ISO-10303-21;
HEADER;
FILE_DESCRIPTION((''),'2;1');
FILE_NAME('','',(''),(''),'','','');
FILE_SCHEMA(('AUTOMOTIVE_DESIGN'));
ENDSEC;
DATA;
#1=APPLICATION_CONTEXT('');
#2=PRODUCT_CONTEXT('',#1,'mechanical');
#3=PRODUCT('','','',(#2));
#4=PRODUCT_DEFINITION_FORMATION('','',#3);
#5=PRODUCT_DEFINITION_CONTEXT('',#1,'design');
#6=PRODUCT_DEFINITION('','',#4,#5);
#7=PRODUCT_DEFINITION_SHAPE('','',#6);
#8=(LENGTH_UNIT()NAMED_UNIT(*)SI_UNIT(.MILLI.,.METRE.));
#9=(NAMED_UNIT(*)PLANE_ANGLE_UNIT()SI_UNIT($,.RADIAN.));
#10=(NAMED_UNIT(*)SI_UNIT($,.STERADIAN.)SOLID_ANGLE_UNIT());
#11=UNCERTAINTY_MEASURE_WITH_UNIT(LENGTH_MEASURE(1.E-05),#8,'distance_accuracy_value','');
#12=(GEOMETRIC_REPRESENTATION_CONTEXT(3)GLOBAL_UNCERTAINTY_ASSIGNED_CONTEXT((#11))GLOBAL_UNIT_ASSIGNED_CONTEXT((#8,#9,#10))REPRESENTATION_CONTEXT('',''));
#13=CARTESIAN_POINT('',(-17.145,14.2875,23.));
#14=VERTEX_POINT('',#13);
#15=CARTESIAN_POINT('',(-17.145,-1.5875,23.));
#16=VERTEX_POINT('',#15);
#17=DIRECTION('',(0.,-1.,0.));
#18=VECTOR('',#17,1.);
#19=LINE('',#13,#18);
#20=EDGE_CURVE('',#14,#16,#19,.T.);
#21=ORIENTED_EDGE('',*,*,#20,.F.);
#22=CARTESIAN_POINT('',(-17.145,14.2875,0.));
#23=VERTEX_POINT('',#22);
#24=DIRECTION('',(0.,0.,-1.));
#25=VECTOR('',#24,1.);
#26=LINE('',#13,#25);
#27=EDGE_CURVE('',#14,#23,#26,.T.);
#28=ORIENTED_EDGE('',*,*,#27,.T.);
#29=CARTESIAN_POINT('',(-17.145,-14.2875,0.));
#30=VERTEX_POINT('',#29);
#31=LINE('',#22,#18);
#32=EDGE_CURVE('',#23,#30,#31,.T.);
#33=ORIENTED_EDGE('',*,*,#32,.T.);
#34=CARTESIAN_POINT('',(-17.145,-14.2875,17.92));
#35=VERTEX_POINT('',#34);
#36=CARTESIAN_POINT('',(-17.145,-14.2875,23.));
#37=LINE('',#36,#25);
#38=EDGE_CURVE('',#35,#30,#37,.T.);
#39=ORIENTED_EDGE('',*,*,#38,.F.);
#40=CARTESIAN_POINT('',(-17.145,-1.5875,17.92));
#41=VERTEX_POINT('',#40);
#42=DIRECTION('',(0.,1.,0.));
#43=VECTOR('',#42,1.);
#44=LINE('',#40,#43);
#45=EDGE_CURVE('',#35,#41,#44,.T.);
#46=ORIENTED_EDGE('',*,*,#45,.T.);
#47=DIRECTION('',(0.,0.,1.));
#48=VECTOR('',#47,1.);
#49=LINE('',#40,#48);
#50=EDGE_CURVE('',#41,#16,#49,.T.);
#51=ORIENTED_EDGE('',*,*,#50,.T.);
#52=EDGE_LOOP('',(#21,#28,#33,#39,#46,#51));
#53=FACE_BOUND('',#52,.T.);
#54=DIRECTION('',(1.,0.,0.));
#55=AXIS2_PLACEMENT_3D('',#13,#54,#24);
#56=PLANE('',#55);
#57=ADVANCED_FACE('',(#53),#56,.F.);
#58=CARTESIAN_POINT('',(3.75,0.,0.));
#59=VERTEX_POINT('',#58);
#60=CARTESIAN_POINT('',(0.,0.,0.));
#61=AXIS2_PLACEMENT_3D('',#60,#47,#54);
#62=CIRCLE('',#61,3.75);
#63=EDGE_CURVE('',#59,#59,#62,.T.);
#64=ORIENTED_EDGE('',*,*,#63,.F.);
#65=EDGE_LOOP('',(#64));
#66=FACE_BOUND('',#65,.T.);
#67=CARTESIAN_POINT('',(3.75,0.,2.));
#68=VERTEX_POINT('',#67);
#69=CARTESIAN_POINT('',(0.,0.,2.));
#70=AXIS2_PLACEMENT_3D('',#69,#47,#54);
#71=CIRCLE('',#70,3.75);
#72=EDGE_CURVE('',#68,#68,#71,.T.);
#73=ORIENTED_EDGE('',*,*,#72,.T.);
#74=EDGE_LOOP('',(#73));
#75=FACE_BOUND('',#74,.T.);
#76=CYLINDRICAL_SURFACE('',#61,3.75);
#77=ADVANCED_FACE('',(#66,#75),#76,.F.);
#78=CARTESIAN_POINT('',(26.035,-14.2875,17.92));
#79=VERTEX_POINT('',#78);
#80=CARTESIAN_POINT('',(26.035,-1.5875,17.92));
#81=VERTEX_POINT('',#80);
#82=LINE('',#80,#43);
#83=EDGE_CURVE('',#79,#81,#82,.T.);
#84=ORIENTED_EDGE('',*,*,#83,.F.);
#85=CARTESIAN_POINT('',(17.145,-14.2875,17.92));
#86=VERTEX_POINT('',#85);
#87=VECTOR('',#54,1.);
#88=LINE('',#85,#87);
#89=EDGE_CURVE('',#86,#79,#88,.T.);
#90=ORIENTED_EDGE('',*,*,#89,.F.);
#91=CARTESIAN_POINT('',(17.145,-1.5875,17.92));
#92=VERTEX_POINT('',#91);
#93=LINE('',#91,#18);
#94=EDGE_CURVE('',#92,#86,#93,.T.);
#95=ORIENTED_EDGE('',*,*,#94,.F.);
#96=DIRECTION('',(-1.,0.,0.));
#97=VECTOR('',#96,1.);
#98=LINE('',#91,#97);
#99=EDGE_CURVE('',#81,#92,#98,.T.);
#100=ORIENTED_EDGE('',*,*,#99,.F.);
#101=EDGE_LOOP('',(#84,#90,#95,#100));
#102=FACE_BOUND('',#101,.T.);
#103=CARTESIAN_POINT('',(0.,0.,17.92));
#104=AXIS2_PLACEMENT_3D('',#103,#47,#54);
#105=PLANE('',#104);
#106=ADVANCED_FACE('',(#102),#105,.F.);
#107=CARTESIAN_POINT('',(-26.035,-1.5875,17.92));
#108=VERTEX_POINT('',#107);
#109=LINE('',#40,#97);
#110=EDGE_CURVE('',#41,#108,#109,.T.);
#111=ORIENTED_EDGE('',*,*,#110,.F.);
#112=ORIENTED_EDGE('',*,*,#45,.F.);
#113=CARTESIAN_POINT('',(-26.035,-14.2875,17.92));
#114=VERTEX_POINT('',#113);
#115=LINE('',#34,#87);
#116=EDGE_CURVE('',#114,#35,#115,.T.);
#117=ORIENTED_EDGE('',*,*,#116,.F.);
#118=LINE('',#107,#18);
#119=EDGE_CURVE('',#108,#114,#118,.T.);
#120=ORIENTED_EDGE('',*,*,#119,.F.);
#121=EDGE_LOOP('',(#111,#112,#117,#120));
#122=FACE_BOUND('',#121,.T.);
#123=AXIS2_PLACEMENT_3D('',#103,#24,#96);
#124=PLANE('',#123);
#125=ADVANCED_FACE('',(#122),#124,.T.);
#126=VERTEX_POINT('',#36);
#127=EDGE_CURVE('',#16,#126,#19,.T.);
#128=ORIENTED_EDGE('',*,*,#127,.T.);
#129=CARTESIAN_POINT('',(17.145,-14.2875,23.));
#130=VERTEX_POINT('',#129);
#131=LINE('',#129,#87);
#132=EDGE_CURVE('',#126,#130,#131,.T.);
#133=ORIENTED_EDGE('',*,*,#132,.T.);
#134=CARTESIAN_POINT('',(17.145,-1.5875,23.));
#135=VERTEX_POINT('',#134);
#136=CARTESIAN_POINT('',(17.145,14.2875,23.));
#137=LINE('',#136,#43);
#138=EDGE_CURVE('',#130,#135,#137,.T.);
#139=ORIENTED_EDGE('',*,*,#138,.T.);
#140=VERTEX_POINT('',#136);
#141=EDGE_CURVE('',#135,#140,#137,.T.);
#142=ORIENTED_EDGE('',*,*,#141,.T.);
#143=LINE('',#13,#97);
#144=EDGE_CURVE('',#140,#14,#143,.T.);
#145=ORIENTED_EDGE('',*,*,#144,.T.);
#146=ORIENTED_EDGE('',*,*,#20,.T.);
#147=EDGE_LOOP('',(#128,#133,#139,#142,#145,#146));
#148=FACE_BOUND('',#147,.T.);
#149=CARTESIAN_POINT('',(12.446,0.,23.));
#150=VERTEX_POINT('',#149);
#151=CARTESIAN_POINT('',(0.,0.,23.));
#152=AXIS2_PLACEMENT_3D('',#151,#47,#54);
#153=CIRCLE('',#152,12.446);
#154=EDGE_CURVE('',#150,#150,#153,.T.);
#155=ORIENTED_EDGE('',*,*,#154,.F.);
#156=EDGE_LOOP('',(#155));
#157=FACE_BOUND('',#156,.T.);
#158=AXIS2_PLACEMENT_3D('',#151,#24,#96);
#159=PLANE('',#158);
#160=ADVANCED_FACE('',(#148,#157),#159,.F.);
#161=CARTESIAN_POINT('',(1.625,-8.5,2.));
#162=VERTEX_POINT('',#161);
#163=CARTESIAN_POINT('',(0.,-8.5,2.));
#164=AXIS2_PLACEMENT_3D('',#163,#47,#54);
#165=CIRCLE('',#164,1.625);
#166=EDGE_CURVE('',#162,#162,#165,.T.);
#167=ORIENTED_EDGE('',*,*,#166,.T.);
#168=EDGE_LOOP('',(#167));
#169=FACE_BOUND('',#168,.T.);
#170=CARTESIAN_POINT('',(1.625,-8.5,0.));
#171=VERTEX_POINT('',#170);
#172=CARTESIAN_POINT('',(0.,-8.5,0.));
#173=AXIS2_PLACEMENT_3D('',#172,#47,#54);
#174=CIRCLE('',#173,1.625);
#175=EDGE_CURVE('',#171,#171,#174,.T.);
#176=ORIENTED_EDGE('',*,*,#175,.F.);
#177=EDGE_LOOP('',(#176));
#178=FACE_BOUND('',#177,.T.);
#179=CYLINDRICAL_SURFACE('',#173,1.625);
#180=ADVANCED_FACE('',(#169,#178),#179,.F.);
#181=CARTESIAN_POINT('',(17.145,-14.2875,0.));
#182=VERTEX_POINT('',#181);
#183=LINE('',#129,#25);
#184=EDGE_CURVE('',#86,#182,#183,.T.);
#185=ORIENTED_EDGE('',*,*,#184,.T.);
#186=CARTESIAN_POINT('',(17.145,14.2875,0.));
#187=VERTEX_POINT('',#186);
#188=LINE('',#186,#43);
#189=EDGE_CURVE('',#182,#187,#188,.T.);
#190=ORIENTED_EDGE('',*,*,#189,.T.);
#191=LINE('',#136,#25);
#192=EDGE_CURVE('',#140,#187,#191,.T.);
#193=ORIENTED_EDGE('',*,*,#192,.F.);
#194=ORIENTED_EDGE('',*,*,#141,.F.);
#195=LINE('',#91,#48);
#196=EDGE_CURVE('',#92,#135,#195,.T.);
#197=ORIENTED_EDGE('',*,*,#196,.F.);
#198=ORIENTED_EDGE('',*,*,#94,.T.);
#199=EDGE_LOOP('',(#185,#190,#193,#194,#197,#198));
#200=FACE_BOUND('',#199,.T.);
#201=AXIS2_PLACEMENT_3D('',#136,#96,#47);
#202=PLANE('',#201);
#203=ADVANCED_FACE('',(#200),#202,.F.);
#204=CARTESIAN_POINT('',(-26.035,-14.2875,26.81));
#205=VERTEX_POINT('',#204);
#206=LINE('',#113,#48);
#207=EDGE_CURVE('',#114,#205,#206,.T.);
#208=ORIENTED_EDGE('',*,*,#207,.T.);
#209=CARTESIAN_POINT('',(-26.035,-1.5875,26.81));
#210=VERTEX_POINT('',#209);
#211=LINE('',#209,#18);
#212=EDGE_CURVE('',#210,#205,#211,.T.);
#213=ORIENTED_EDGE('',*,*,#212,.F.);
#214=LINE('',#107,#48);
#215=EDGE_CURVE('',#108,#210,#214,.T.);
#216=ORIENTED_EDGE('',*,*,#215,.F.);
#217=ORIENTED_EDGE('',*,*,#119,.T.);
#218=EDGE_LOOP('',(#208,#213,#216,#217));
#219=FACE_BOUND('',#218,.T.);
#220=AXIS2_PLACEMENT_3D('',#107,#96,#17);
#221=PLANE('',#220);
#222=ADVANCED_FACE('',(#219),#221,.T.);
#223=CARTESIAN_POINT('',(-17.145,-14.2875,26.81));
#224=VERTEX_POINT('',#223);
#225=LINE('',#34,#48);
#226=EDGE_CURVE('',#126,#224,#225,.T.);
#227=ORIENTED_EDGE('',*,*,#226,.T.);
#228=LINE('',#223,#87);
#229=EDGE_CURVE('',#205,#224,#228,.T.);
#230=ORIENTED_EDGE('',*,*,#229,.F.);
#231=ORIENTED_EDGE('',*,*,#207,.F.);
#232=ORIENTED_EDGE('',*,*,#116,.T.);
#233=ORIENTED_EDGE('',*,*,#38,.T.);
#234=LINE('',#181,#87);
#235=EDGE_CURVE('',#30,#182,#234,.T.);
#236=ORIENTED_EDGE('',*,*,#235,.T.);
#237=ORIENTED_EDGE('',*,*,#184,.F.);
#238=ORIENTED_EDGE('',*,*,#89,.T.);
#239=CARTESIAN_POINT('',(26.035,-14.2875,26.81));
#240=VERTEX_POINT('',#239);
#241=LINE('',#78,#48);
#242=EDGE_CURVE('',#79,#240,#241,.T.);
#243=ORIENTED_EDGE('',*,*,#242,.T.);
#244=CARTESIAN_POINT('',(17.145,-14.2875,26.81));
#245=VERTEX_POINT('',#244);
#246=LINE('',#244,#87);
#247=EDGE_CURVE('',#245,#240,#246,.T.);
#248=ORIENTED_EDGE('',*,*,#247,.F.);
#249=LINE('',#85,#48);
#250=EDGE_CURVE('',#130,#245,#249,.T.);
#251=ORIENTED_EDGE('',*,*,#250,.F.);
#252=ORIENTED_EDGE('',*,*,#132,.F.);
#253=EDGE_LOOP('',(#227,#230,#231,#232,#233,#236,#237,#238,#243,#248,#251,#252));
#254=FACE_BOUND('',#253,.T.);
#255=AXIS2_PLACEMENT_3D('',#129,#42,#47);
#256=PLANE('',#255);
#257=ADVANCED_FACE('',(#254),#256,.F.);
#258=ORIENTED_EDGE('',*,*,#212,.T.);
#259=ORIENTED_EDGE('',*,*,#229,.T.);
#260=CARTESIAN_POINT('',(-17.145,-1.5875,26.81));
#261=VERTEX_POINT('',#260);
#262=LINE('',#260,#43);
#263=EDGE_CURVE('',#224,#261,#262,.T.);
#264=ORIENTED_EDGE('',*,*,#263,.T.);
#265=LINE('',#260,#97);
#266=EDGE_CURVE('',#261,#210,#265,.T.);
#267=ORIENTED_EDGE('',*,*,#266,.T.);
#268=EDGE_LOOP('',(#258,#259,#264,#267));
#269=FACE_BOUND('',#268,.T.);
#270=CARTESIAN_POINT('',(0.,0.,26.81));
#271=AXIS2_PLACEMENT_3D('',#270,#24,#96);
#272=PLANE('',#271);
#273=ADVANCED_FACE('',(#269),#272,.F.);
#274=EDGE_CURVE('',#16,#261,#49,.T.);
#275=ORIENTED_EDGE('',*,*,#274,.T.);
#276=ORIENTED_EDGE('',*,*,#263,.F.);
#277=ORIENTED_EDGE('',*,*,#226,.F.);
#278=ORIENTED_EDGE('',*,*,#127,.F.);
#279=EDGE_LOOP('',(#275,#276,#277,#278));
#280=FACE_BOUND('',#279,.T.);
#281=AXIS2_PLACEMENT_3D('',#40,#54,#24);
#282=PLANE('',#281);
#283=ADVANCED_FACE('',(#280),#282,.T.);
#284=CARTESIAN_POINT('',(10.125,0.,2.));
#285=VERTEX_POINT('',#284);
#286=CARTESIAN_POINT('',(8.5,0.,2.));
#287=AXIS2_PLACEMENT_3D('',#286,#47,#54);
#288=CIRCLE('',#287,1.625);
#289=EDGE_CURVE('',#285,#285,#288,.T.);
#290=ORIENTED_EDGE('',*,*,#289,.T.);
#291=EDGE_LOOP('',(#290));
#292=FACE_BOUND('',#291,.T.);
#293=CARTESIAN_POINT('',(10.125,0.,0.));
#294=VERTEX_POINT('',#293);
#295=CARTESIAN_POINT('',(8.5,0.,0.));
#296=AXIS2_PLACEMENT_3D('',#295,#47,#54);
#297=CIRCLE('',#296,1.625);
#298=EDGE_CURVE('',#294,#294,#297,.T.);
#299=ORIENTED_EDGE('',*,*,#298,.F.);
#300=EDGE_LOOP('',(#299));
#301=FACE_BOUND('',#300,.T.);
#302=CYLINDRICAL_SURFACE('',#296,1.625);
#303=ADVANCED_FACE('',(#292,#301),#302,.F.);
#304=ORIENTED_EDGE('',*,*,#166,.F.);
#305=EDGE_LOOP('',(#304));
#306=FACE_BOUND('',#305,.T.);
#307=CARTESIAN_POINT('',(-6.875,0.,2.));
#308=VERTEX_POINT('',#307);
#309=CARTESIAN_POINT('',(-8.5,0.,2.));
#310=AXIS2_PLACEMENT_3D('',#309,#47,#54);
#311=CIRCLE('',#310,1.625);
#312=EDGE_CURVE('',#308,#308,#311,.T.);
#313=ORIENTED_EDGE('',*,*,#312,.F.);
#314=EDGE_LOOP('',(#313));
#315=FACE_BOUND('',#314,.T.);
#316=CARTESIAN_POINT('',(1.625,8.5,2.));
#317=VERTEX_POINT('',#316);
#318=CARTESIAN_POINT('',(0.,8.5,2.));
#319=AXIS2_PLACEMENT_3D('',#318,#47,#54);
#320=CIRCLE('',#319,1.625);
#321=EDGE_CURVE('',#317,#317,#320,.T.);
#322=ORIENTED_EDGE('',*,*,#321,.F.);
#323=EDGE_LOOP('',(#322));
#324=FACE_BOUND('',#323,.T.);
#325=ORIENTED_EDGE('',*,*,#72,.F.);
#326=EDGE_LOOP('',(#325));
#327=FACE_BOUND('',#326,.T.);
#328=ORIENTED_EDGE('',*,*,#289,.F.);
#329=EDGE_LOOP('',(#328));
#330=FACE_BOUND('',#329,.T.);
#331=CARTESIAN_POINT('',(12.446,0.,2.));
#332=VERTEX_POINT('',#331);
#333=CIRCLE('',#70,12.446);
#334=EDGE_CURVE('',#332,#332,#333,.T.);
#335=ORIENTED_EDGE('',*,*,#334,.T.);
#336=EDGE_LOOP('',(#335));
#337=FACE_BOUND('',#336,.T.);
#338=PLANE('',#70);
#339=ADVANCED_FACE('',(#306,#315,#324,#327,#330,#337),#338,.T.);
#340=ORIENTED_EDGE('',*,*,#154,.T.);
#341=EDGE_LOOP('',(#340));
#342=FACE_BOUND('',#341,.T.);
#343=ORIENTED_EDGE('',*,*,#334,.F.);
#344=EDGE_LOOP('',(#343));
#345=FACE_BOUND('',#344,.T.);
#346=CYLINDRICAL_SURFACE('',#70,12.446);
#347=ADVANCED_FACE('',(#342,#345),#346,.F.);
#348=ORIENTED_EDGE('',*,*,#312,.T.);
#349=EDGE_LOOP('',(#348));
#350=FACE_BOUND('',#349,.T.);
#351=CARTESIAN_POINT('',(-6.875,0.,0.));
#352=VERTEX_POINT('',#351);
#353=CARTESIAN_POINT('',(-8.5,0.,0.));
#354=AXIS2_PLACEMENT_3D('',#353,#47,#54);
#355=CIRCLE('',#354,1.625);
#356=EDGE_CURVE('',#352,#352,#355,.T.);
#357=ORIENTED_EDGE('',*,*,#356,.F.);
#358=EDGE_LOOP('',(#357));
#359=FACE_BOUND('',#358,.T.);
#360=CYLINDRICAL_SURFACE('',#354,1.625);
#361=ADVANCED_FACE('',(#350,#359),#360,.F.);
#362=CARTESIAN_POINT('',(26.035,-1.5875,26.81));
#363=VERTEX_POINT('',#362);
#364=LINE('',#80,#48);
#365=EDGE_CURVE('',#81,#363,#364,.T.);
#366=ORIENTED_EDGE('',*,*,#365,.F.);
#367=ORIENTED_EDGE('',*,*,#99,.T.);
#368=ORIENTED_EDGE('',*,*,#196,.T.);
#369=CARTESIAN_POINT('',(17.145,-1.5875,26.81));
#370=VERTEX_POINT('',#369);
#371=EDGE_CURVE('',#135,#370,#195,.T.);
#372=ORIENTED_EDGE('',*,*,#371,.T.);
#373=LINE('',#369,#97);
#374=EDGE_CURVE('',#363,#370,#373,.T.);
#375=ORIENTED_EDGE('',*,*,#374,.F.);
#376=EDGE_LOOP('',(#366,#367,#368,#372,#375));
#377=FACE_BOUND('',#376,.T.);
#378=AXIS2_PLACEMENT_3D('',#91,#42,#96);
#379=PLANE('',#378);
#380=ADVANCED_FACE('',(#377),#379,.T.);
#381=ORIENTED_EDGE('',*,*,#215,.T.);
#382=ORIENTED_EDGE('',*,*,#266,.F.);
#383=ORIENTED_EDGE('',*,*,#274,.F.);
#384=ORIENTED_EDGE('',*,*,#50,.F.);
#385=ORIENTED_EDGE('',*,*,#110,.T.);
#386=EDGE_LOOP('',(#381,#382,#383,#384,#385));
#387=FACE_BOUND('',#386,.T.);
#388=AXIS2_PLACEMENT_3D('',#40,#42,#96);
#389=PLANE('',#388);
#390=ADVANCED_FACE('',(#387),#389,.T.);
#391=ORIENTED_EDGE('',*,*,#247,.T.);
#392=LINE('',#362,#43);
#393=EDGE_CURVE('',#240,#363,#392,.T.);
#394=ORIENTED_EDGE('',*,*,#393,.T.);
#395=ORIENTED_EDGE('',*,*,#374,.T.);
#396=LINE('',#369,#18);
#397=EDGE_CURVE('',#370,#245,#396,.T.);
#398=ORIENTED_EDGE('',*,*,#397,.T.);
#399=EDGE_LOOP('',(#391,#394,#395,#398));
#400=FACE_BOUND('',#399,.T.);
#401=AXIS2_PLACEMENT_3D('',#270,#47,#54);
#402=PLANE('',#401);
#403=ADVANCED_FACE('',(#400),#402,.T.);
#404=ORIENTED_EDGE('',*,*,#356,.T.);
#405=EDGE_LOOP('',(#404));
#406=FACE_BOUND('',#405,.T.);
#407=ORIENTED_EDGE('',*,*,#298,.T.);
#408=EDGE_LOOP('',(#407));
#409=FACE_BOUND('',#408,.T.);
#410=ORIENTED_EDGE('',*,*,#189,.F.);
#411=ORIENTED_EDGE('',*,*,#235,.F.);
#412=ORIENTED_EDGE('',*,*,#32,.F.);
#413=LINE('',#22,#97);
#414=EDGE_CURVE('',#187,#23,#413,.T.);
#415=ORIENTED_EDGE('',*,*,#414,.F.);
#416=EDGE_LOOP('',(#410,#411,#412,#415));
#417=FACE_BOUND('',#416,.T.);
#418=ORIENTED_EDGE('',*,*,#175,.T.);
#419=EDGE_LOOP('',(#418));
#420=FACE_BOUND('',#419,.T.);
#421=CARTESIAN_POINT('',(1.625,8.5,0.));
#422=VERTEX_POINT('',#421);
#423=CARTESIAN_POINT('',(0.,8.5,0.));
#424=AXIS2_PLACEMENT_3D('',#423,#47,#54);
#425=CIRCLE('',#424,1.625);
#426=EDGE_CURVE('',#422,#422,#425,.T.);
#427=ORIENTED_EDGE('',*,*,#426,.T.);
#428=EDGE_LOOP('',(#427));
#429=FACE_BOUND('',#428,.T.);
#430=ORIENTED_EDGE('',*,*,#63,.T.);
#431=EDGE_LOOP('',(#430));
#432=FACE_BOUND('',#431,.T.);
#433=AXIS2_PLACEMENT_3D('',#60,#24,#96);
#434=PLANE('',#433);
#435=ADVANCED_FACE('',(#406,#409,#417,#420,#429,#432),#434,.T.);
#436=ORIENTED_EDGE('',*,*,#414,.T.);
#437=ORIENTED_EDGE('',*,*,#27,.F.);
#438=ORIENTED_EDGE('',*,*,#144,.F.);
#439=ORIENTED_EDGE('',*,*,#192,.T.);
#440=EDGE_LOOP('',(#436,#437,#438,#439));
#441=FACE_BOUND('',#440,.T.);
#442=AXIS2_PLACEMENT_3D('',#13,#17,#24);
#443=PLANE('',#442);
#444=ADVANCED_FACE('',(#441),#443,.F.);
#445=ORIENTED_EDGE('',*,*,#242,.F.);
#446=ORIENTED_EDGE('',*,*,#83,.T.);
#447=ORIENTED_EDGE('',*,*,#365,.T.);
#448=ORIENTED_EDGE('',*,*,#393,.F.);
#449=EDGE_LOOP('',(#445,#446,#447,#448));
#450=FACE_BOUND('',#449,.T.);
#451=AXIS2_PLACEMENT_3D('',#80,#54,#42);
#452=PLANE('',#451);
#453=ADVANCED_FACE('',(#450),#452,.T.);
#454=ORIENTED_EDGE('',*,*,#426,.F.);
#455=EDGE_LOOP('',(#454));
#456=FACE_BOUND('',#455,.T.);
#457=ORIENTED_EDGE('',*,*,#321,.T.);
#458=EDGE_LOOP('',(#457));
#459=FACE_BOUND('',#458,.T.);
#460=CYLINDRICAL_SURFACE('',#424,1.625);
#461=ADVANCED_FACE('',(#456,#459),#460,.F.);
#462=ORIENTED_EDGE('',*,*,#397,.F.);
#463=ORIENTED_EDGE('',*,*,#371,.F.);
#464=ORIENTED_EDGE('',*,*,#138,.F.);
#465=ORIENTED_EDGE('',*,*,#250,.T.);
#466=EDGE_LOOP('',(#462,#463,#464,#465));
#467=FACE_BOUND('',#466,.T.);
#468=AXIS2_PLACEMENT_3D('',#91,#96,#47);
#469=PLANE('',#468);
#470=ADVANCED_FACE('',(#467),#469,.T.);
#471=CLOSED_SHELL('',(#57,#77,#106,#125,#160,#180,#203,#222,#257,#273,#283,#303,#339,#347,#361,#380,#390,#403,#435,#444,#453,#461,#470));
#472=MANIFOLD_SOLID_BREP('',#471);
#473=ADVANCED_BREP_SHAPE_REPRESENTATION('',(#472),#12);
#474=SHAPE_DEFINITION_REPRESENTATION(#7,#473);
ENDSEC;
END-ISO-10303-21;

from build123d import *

# Parameters (mm, degrees)
SKETCH1_W                = 34.29
SKETCH1_H                = 28.575
BOSS_EXTRUDE1_DEPTH      = 23
SKETCH3_R                = 12.446
CUT_EXTRUDE1_DEPTH       = 21
SKETCH5_R                = 1.625
SKETCH5_R_2              = 3.75
CUT_EXTRUDE2_DEPTH       = 3
SKETCH7_W                = 8.89
SKETCH7_H                = 12.7
BOSS_EXTRUDE2_DEPTH      = 3.81
BOSS_EXTRUDE2_DEPTH_BACK = 5.08


with BuildPart() as part:
    # Sketch1 → Boss-Extrude1 (new body)
    with BuildSketch(Plane.XY):
        Rectangle(SKETCH1_W, SKETCH1_H)
    extrude(amount=BOSS_EXTRUDE1_DEPTH)

    # Sketch3 → Cut-Extrude1 (cut)
    with BuildSketch(Plane.XY.offset(23)):
        Circle(SKETCH3_R)
    extrude(amount=-CUT_EXTRUDE1_DEPTH, mode=Mode.SUBTRACT)

    # Sketch5 → Cut-Extrude2 (cut, through all)
    with BuildSketch(Plane.XY.offset(2)):
        with Locations((0, 8.5)):
            Circle(SKETCH5_R)
        with Locations((-8.5, 0)):
            Circle(SKETCH5_R)
        with Locations((8.5, 0)):
            Circle(SKETCH5_R)
        with Locations((0, -8.5)):
            Circle(SKETCH5_R)
        Circle(SKETCH5_R_2)
    extrude(amount=-CUT_EXTRUDE2_DEPTH, mode=Mode.SUBTRACT)

    # Sketch7 → Boss-Extrude2 (add, two sides)
    with BuildSketch(Plane.XY.offset(23)) as boss_extrude2_sk:
        with Locations((-21.59, -7.9375)):
            Rectangle(SKETCH7_W, SKETCH7_H)
        with Locations((21.59, -7.9375)):
            Rectangle(SKETCH7_W, SKETCH7_H)
    extrude(amount=BOSS_EXTRUDE2_DEPTH)
    extrude(boss_extrude2_sk.sketch, amount=-BOSS_EXTRUDE2_DEPTH_BACK)


solid = part.part
